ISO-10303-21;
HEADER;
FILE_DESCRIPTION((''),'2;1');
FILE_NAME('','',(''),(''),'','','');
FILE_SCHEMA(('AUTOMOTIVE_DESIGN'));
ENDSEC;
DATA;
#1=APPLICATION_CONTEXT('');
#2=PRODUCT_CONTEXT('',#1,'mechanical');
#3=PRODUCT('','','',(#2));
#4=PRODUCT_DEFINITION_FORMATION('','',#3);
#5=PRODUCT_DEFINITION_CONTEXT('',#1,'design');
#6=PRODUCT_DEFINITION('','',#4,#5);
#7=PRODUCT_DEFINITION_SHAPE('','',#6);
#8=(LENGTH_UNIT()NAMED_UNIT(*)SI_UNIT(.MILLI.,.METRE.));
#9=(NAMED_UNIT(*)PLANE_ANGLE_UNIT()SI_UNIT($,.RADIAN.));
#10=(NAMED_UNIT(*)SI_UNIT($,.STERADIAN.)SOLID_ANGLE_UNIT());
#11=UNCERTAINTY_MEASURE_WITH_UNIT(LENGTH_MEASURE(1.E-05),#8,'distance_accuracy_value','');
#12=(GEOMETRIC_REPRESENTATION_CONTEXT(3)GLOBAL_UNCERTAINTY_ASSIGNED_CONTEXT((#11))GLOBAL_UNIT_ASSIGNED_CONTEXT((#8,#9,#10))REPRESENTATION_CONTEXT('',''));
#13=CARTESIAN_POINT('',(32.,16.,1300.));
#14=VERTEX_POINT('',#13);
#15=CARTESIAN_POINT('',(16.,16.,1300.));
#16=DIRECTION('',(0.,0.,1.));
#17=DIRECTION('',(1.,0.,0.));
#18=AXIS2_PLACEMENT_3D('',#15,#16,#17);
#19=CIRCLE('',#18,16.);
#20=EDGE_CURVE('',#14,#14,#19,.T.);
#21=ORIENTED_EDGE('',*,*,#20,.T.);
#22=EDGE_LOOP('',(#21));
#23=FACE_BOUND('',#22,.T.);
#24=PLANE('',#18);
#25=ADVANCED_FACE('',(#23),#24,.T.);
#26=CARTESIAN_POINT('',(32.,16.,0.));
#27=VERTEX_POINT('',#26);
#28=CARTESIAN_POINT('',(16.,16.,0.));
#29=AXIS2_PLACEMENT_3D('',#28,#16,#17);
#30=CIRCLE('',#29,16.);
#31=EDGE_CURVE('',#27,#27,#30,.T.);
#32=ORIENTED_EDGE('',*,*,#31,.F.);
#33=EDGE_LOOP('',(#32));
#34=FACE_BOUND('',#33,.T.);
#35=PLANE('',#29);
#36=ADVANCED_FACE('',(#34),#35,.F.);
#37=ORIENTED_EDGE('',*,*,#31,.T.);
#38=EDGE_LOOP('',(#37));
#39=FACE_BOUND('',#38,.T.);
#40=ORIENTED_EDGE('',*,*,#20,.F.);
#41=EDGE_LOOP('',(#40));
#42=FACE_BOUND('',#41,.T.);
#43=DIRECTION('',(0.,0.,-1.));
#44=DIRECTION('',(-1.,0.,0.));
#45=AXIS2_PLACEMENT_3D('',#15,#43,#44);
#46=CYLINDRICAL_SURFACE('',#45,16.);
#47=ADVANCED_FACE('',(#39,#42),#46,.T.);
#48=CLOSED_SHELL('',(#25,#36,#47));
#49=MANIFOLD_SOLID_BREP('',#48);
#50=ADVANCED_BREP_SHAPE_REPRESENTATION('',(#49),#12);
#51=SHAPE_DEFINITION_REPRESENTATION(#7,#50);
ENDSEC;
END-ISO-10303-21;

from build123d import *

# Parameters (mm, degrees)
SKETCH1_R            = 16
REFERENCE_ONLY_DEPTH = 1300


with BuildPart() as part:
    # Sketch1 → Reference_only (new body)
    with BuildSketch(Plane.XY):
        with Locations((16, 16)):
            Circle(SKETCH1_R)
    extrude(amount=REFERENCE_ONLY_DEPTH)


solid = part.part
